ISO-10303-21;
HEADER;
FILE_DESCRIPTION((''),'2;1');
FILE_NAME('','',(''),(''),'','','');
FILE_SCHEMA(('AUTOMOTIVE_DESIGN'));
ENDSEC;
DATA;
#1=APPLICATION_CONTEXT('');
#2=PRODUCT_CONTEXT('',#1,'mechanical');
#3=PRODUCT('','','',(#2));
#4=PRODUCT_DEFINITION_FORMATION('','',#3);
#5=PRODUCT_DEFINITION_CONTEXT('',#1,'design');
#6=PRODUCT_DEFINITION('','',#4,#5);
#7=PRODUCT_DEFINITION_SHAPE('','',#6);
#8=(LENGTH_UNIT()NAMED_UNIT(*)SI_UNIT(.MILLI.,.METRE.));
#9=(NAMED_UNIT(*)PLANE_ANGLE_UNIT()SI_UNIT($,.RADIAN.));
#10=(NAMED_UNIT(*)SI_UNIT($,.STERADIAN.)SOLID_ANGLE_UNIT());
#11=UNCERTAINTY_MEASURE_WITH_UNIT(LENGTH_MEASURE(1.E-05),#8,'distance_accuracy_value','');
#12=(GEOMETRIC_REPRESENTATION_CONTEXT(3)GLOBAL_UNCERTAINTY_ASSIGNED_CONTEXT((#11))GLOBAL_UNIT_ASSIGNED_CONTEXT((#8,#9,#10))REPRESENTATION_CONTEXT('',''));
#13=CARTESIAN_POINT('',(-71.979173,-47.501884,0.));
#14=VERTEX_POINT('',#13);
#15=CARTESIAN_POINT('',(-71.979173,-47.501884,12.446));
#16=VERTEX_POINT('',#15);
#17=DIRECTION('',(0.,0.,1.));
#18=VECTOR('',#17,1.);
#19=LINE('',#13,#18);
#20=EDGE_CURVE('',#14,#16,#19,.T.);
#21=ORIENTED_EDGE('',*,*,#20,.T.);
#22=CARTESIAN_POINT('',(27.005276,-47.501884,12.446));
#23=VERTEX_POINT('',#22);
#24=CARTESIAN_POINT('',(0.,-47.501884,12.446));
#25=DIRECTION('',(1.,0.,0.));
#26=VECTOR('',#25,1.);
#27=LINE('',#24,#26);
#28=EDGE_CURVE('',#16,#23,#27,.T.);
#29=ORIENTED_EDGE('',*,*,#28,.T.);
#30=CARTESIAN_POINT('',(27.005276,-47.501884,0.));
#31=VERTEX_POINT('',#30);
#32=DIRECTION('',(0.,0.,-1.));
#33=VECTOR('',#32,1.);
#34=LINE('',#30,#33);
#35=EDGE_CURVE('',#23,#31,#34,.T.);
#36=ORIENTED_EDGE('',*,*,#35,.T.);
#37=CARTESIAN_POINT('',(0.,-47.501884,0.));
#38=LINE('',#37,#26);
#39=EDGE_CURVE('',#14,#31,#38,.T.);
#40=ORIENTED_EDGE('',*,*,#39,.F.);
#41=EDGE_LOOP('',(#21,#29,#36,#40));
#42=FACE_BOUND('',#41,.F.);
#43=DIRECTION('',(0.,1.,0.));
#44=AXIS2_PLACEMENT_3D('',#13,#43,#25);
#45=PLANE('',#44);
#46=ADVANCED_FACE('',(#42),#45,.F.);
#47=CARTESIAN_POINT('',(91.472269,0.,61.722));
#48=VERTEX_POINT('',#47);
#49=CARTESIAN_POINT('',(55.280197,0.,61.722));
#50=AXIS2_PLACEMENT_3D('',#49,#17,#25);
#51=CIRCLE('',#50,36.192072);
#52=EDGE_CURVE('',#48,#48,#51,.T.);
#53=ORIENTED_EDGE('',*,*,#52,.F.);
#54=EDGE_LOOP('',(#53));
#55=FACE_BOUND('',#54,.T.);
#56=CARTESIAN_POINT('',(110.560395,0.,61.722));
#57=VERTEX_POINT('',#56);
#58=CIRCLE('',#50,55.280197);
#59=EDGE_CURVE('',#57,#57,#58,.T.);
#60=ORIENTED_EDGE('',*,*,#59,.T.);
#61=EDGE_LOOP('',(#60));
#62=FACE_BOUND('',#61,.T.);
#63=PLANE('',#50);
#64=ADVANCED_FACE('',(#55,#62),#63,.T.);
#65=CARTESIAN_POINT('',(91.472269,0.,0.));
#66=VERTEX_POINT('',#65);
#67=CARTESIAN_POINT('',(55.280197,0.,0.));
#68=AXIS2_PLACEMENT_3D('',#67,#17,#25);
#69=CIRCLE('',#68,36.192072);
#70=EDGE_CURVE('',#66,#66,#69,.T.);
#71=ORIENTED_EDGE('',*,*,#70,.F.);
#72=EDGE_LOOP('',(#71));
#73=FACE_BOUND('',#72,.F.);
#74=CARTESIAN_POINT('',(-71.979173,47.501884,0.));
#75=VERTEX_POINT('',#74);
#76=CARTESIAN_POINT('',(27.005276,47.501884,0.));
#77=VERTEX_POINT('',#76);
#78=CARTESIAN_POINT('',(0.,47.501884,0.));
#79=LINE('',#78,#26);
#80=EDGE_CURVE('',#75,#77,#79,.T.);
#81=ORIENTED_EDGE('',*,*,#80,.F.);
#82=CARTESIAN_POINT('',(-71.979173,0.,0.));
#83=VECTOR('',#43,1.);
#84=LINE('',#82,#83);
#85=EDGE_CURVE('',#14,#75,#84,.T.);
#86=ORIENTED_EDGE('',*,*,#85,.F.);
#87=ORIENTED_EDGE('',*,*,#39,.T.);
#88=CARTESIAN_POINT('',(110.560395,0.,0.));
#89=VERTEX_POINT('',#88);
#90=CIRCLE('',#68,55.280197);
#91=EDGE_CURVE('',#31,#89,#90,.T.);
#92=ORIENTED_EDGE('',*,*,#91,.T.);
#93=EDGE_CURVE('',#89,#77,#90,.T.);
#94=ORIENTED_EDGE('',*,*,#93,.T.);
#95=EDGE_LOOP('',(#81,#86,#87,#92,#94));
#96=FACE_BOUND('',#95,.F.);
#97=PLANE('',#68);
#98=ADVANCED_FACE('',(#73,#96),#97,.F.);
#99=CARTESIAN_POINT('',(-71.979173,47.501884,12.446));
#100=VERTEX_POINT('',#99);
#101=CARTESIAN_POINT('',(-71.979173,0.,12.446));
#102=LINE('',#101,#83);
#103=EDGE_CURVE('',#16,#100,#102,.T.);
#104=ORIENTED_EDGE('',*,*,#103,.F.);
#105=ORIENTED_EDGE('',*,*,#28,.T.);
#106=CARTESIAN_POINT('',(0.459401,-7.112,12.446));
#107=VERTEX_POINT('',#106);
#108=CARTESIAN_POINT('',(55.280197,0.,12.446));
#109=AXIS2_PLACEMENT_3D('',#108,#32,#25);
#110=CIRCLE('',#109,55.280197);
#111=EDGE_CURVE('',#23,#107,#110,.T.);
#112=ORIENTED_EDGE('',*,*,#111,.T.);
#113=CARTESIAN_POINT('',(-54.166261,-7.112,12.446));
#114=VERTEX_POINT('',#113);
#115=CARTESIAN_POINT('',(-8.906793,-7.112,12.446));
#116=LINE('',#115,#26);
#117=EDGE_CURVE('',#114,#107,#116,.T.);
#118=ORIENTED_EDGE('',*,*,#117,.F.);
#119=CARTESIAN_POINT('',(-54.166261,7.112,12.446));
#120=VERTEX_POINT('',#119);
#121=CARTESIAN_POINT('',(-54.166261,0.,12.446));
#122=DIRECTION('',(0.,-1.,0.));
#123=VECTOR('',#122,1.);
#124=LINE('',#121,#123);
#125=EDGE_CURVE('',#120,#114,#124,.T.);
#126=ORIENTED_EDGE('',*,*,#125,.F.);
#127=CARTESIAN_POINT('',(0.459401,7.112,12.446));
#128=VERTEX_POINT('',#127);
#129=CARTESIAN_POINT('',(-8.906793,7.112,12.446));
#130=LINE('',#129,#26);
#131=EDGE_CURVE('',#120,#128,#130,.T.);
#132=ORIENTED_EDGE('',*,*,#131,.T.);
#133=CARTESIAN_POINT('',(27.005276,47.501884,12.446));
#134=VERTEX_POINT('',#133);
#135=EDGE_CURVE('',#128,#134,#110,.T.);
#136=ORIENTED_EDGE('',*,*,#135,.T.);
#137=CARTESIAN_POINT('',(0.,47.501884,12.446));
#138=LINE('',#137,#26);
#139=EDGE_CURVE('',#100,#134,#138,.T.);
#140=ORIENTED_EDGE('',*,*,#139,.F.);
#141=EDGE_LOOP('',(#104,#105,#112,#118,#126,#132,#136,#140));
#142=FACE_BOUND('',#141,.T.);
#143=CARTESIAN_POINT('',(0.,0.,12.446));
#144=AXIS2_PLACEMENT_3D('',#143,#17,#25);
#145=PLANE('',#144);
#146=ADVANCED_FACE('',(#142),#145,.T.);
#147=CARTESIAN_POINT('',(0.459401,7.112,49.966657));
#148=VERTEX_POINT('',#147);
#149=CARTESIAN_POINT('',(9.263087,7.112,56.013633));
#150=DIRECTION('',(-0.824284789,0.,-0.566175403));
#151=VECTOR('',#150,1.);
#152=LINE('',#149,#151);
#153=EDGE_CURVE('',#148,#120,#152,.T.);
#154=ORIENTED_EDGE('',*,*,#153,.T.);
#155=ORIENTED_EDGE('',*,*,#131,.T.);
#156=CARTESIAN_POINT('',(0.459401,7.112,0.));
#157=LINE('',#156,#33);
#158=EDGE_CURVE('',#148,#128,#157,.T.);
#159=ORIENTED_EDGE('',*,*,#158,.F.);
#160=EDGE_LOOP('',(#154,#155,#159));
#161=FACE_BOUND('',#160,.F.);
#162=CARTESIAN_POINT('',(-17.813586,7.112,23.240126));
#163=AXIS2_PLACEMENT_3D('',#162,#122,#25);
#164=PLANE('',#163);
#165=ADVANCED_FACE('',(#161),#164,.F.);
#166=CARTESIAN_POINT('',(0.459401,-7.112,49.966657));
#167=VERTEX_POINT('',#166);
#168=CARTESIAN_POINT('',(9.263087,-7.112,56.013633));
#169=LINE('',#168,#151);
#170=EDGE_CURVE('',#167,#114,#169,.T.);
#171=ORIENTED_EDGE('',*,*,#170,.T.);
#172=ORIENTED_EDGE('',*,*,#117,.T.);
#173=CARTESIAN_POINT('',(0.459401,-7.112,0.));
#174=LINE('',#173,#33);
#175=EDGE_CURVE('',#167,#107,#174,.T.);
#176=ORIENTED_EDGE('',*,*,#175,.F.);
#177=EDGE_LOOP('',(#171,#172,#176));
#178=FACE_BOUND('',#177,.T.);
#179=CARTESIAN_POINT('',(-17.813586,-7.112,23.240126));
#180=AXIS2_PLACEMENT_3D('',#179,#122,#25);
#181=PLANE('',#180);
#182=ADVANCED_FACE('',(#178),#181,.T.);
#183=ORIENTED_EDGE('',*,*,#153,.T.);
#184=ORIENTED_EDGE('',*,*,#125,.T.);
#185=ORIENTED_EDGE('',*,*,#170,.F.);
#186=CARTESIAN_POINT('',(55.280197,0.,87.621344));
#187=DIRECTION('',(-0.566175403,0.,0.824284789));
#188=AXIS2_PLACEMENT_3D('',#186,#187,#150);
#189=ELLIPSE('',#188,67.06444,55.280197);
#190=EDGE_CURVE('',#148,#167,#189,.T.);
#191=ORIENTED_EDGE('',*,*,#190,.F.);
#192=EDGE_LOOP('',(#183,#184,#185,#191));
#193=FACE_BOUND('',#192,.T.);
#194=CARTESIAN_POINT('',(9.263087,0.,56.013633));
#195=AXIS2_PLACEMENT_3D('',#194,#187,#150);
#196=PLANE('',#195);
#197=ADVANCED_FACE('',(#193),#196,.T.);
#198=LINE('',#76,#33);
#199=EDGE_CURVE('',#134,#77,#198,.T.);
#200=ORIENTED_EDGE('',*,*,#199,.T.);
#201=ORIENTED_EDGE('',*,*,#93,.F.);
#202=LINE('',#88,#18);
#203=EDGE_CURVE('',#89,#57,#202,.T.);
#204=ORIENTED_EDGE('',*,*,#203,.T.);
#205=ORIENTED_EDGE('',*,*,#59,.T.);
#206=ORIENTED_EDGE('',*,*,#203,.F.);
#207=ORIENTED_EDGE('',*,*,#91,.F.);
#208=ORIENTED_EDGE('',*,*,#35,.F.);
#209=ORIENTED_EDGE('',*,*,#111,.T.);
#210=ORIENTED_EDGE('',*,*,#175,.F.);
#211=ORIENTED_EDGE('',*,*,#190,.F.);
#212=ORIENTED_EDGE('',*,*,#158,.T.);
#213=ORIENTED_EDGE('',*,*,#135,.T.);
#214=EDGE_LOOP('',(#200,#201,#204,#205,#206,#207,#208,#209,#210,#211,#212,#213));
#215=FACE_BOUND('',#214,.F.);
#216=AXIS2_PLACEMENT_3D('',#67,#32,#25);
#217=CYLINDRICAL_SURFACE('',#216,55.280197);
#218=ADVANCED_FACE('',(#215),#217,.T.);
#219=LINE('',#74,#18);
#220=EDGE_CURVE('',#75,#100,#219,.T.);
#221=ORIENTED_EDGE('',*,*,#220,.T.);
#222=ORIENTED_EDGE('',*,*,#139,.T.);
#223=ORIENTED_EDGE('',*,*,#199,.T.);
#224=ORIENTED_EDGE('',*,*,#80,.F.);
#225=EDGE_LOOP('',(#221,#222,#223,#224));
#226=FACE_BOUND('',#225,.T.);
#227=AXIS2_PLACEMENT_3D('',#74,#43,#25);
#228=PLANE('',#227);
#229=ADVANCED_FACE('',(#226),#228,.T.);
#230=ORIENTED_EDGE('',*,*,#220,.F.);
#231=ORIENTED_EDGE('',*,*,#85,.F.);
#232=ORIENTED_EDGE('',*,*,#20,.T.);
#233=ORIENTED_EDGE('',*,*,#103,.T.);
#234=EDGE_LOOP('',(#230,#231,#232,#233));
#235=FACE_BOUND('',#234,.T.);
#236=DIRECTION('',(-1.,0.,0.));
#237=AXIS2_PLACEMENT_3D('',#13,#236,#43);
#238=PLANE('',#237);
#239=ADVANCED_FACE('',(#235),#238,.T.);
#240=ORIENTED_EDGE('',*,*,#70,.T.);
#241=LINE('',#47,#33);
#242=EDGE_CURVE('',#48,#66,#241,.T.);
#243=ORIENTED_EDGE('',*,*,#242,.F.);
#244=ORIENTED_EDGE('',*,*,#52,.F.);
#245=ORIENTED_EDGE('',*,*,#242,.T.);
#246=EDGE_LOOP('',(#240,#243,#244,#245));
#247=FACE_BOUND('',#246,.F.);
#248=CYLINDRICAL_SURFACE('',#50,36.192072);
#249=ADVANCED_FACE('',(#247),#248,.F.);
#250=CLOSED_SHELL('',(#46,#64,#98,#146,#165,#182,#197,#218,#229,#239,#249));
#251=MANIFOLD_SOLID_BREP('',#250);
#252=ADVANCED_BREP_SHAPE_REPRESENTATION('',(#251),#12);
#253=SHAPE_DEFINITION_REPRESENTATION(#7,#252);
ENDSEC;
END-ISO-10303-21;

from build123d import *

# Parameters (mm, degrees)
F0_W     = 143.9583450556
F0_H     = 95.0037688017
F1_DEPTH = 12.446
F2_R     = 55.2801974118
F3_DEPTH = 61.722
F4_R     = 36.192071595
F5_DEPTH = 61.723
F7_DEPTH = 7.112


with BuildPart() as f1:
    # F0 (on Top) → F1 (new body)
    with BuildSketch(Plane.XY):
        Rectangle(F0_W, F0_H)
    extrude(amount=F1_DEPTH)

    # F2 (on Top) → F3 (join)
    with BuildSketch(Plane.XY):
        with Locations((55.2801974118, 0)):
            Circle(F2_R)
    extrude(amount=F3_DEPTH)

    # F4 (on face) → F5 (cut, through all)
    with BuildSketch(Plane.XY.offset(61.722)):
        with Locations((55.2801974118, 0)):
            Circle(F4_R)
    extrude(amount=-F5_DEPTH, mode=Mode.SUBTRACT)

    # F6 (on Front) → F7 (join, symmetric)
    with BuildSketch(Plane.XZ):
        Polygon((9.263087064, 7.2733671404), (9.263087064, 56.0136325657), (-61.6970062256, 7.2733671404), align=None)
    extrude(amount=F7_DEPTH, both=True)


solid = f1.part
